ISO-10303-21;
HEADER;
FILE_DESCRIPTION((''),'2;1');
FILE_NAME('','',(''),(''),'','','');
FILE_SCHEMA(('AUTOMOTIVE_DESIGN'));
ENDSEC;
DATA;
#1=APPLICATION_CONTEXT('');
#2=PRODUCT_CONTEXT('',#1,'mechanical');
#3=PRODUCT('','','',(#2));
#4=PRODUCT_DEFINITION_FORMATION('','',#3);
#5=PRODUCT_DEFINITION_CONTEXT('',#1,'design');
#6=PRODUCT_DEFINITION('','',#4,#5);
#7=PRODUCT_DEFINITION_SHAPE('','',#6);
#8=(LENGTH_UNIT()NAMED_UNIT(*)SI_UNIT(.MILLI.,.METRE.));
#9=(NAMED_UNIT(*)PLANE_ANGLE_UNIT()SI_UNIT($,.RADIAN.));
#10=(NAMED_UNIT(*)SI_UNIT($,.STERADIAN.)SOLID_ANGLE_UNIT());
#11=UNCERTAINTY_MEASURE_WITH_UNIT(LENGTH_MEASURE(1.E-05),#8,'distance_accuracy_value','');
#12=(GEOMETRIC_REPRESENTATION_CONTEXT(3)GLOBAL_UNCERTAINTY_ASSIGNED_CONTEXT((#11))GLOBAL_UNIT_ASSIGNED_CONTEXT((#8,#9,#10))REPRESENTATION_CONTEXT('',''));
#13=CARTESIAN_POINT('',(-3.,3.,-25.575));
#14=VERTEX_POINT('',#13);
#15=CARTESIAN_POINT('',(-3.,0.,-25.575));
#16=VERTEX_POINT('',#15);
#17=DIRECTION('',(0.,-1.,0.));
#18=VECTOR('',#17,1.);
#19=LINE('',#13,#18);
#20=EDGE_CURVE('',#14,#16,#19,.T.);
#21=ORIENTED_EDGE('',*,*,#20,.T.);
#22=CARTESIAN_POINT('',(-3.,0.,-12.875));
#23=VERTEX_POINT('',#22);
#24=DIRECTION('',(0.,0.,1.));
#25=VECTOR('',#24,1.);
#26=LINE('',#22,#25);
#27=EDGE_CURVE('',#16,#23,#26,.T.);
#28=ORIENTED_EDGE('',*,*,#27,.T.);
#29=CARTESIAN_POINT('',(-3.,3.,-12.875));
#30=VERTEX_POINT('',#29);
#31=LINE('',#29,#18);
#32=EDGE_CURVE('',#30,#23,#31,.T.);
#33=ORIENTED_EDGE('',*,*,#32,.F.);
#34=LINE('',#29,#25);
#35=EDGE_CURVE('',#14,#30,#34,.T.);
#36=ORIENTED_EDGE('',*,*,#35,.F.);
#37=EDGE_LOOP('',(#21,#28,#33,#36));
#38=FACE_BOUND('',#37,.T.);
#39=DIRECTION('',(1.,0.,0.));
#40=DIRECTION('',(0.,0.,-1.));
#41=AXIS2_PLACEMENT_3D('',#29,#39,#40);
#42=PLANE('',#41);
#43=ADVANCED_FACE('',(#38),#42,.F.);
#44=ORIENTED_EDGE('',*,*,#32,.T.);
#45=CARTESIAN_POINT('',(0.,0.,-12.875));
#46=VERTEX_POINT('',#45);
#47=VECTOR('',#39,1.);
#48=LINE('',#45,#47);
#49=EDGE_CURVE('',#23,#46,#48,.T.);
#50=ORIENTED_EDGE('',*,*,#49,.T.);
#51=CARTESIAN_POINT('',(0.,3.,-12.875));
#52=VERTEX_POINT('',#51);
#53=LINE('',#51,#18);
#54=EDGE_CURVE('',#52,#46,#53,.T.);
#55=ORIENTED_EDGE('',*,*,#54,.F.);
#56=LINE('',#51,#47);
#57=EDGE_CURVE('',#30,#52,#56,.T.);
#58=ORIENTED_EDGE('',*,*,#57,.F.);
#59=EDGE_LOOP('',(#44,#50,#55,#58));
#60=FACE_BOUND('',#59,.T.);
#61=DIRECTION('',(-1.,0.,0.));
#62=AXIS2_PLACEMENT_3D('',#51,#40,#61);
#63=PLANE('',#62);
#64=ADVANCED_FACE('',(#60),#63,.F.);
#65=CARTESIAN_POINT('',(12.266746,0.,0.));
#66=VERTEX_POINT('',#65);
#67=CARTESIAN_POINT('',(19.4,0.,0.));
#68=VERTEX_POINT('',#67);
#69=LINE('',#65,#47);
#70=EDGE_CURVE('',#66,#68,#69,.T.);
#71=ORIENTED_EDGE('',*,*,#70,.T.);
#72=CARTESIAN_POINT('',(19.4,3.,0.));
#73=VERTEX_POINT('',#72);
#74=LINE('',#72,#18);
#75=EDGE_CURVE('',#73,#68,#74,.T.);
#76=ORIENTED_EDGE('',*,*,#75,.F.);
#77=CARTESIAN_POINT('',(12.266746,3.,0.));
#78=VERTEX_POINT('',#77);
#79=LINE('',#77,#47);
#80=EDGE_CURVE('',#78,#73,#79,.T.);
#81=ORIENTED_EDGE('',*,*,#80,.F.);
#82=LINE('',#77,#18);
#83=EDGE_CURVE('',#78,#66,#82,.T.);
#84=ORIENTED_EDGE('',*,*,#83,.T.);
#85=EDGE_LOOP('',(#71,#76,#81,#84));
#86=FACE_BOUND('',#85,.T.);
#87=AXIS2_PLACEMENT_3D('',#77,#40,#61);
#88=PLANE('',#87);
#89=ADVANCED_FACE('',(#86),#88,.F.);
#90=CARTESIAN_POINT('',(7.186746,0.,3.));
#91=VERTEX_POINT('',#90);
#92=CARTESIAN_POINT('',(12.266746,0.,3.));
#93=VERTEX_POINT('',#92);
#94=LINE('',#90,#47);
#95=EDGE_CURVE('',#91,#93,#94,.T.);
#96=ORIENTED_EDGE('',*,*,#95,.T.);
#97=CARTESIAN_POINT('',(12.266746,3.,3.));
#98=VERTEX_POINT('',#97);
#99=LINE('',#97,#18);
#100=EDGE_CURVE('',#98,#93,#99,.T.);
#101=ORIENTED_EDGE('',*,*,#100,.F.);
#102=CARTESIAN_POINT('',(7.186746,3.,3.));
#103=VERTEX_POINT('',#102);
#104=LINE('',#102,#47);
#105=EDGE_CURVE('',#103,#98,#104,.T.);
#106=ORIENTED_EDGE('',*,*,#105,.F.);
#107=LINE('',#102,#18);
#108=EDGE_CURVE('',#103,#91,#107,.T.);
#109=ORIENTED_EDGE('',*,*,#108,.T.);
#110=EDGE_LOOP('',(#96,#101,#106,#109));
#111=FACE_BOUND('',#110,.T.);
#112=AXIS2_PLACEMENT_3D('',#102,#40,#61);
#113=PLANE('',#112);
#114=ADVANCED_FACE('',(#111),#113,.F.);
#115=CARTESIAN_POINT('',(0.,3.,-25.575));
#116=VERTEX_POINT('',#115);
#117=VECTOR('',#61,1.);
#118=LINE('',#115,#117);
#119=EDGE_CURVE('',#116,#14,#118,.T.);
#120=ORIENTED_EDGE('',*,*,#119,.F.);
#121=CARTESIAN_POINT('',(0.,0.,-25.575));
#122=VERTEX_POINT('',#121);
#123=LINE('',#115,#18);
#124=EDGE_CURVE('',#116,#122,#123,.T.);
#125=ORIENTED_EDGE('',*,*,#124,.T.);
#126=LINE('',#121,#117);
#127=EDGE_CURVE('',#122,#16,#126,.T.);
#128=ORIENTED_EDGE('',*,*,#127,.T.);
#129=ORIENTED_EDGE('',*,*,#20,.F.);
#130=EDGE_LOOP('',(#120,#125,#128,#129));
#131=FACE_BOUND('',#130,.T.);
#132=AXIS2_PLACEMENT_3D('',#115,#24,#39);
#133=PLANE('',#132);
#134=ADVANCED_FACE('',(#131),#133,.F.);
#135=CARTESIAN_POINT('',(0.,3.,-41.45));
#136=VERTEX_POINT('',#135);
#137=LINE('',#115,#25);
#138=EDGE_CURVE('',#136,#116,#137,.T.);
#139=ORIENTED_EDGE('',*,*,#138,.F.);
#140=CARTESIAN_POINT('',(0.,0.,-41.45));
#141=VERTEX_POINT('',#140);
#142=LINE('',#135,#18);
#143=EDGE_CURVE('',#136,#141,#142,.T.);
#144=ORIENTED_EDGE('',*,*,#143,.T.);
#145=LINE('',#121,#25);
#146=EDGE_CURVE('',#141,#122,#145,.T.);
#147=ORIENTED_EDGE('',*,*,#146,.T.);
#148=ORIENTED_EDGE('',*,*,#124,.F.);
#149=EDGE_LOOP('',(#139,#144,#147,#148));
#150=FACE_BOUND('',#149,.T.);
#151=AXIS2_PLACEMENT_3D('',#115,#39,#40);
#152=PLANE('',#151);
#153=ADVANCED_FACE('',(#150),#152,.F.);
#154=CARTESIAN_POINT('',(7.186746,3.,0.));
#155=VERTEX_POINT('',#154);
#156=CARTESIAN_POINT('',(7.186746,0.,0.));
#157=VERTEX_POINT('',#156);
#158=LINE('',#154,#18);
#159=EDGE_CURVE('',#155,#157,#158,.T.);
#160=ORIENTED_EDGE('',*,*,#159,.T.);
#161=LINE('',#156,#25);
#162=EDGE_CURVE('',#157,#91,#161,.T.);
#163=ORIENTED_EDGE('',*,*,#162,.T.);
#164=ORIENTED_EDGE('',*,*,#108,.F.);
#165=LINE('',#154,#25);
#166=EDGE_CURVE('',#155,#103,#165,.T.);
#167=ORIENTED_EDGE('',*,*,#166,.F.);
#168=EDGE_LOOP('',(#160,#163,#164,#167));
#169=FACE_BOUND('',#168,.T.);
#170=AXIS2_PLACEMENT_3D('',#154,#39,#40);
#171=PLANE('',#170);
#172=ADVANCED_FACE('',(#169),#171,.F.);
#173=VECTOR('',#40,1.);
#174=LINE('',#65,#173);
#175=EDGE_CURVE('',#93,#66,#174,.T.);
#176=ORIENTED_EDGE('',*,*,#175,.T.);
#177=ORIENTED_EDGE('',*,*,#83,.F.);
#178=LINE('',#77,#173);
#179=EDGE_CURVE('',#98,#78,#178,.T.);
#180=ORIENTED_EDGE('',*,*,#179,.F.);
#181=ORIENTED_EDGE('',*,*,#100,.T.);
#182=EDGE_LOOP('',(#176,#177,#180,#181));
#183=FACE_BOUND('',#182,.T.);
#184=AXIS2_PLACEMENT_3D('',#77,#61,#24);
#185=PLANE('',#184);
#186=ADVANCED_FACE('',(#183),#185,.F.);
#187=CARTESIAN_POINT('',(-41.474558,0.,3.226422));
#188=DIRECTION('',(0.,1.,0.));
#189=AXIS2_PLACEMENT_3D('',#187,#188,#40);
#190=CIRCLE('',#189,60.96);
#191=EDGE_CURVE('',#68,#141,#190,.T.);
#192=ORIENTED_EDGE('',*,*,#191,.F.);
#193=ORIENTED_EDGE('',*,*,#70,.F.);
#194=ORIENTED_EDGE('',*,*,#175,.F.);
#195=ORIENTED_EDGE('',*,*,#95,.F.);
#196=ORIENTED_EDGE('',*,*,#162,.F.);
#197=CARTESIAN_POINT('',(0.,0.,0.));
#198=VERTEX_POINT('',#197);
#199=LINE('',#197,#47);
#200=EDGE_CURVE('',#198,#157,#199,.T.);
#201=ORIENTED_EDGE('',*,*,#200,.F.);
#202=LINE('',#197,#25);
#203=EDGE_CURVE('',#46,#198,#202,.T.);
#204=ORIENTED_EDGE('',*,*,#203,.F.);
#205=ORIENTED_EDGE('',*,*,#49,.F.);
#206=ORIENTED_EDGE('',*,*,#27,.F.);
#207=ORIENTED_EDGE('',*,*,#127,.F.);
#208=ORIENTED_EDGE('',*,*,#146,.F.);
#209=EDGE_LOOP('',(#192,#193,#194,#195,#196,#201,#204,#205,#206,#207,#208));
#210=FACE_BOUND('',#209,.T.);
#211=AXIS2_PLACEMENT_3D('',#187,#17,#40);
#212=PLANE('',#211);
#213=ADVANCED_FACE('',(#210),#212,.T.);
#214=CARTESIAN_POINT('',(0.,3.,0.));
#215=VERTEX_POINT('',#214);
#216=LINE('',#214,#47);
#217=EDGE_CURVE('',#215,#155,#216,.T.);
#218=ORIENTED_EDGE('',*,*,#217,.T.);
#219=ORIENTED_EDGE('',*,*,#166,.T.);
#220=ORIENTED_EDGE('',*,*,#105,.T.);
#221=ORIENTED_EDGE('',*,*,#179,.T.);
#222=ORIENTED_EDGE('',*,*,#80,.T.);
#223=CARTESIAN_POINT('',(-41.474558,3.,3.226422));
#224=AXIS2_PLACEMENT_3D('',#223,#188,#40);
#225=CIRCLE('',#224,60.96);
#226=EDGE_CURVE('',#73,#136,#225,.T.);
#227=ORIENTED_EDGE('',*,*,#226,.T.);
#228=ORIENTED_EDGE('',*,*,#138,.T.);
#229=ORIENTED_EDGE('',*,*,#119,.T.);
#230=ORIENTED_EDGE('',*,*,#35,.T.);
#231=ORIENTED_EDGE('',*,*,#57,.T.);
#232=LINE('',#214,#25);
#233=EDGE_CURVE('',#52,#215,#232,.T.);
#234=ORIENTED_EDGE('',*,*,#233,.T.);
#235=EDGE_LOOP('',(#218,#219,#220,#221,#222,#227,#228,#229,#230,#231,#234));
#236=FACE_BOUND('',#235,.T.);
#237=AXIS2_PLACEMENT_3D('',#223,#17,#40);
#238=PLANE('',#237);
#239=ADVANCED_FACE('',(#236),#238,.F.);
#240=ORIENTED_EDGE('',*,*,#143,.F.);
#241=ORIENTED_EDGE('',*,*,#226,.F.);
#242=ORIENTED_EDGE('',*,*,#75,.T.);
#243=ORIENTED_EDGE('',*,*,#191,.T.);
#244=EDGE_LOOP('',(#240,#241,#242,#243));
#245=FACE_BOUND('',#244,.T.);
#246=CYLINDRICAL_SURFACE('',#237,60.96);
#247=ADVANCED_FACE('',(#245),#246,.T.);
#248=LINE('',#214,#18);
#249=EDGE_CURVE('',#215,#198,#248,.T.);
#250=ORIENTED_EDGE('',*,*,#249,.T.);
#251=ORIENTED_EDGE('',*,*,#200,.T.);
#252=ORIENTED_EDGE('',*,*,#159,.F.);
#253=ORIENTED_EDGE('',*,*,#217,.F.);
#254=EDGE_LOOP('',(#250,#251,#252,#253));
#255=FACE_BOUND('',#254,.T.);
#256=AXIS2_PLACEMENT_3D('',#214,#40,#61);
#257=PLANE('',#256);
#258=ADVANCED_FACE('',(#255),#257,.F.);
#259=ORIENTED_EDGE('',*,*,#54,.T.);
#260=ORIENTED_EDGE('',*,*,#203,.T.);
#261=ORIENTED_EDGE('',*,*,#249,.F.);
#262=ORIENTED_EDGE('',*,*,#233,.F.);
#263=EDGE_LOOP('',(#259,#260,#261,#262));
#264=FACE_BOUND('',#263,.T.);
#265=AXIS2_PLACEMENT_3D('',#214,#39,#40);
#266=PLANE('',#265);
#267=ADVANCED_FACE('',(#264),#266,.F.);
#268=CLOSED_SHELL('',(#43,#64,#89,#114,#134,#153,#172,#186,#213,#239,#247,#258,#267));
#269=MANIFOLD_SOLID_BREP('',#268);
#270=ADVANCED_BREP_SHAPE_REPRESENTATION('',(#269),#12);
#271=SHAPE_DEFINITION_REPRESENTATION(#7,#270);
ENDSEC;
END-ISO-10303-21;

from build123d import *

# Parameters (mm, degrees)
BOSS_EXTRUDE1_DEPTH = 3


with BuildPart() as part:
    # Sketch2 → Boss-Extrude1 (new body)
    with BuildSketch(Plane(origin=(0, 0, 0), x_dir=(1, 0, 0), z_dir=(0, 1, 0))):
        with BuildLine():
            Line((0, 0), (0, 12.875))
            Line((0, 12.875), (-3, 12.875))
            Line((-3, 12.875), (-3, 25.575))
            Line((-3, 25.575), (0, 25.575))
            Line((0, 25.575), (0, 41.45))
            ThreePointArc((0, 41.45), (13.737406392, 22.614642557), (19.4, 0))
            Line((19.4, 0), (12.266745701, 0))
            Line((12.266745701, 0), (12.266745701, -3))
            Line((12.266745701, -3), (7.186745701, -3))
            Line((7.186745701, -3), (7.186745701, 0))
            Line((7.186745701, 0), (0, 0))
        make_face()
    extrude(amount=BOSS_EXTRUDE1_DEPTH)


solid = part.part
